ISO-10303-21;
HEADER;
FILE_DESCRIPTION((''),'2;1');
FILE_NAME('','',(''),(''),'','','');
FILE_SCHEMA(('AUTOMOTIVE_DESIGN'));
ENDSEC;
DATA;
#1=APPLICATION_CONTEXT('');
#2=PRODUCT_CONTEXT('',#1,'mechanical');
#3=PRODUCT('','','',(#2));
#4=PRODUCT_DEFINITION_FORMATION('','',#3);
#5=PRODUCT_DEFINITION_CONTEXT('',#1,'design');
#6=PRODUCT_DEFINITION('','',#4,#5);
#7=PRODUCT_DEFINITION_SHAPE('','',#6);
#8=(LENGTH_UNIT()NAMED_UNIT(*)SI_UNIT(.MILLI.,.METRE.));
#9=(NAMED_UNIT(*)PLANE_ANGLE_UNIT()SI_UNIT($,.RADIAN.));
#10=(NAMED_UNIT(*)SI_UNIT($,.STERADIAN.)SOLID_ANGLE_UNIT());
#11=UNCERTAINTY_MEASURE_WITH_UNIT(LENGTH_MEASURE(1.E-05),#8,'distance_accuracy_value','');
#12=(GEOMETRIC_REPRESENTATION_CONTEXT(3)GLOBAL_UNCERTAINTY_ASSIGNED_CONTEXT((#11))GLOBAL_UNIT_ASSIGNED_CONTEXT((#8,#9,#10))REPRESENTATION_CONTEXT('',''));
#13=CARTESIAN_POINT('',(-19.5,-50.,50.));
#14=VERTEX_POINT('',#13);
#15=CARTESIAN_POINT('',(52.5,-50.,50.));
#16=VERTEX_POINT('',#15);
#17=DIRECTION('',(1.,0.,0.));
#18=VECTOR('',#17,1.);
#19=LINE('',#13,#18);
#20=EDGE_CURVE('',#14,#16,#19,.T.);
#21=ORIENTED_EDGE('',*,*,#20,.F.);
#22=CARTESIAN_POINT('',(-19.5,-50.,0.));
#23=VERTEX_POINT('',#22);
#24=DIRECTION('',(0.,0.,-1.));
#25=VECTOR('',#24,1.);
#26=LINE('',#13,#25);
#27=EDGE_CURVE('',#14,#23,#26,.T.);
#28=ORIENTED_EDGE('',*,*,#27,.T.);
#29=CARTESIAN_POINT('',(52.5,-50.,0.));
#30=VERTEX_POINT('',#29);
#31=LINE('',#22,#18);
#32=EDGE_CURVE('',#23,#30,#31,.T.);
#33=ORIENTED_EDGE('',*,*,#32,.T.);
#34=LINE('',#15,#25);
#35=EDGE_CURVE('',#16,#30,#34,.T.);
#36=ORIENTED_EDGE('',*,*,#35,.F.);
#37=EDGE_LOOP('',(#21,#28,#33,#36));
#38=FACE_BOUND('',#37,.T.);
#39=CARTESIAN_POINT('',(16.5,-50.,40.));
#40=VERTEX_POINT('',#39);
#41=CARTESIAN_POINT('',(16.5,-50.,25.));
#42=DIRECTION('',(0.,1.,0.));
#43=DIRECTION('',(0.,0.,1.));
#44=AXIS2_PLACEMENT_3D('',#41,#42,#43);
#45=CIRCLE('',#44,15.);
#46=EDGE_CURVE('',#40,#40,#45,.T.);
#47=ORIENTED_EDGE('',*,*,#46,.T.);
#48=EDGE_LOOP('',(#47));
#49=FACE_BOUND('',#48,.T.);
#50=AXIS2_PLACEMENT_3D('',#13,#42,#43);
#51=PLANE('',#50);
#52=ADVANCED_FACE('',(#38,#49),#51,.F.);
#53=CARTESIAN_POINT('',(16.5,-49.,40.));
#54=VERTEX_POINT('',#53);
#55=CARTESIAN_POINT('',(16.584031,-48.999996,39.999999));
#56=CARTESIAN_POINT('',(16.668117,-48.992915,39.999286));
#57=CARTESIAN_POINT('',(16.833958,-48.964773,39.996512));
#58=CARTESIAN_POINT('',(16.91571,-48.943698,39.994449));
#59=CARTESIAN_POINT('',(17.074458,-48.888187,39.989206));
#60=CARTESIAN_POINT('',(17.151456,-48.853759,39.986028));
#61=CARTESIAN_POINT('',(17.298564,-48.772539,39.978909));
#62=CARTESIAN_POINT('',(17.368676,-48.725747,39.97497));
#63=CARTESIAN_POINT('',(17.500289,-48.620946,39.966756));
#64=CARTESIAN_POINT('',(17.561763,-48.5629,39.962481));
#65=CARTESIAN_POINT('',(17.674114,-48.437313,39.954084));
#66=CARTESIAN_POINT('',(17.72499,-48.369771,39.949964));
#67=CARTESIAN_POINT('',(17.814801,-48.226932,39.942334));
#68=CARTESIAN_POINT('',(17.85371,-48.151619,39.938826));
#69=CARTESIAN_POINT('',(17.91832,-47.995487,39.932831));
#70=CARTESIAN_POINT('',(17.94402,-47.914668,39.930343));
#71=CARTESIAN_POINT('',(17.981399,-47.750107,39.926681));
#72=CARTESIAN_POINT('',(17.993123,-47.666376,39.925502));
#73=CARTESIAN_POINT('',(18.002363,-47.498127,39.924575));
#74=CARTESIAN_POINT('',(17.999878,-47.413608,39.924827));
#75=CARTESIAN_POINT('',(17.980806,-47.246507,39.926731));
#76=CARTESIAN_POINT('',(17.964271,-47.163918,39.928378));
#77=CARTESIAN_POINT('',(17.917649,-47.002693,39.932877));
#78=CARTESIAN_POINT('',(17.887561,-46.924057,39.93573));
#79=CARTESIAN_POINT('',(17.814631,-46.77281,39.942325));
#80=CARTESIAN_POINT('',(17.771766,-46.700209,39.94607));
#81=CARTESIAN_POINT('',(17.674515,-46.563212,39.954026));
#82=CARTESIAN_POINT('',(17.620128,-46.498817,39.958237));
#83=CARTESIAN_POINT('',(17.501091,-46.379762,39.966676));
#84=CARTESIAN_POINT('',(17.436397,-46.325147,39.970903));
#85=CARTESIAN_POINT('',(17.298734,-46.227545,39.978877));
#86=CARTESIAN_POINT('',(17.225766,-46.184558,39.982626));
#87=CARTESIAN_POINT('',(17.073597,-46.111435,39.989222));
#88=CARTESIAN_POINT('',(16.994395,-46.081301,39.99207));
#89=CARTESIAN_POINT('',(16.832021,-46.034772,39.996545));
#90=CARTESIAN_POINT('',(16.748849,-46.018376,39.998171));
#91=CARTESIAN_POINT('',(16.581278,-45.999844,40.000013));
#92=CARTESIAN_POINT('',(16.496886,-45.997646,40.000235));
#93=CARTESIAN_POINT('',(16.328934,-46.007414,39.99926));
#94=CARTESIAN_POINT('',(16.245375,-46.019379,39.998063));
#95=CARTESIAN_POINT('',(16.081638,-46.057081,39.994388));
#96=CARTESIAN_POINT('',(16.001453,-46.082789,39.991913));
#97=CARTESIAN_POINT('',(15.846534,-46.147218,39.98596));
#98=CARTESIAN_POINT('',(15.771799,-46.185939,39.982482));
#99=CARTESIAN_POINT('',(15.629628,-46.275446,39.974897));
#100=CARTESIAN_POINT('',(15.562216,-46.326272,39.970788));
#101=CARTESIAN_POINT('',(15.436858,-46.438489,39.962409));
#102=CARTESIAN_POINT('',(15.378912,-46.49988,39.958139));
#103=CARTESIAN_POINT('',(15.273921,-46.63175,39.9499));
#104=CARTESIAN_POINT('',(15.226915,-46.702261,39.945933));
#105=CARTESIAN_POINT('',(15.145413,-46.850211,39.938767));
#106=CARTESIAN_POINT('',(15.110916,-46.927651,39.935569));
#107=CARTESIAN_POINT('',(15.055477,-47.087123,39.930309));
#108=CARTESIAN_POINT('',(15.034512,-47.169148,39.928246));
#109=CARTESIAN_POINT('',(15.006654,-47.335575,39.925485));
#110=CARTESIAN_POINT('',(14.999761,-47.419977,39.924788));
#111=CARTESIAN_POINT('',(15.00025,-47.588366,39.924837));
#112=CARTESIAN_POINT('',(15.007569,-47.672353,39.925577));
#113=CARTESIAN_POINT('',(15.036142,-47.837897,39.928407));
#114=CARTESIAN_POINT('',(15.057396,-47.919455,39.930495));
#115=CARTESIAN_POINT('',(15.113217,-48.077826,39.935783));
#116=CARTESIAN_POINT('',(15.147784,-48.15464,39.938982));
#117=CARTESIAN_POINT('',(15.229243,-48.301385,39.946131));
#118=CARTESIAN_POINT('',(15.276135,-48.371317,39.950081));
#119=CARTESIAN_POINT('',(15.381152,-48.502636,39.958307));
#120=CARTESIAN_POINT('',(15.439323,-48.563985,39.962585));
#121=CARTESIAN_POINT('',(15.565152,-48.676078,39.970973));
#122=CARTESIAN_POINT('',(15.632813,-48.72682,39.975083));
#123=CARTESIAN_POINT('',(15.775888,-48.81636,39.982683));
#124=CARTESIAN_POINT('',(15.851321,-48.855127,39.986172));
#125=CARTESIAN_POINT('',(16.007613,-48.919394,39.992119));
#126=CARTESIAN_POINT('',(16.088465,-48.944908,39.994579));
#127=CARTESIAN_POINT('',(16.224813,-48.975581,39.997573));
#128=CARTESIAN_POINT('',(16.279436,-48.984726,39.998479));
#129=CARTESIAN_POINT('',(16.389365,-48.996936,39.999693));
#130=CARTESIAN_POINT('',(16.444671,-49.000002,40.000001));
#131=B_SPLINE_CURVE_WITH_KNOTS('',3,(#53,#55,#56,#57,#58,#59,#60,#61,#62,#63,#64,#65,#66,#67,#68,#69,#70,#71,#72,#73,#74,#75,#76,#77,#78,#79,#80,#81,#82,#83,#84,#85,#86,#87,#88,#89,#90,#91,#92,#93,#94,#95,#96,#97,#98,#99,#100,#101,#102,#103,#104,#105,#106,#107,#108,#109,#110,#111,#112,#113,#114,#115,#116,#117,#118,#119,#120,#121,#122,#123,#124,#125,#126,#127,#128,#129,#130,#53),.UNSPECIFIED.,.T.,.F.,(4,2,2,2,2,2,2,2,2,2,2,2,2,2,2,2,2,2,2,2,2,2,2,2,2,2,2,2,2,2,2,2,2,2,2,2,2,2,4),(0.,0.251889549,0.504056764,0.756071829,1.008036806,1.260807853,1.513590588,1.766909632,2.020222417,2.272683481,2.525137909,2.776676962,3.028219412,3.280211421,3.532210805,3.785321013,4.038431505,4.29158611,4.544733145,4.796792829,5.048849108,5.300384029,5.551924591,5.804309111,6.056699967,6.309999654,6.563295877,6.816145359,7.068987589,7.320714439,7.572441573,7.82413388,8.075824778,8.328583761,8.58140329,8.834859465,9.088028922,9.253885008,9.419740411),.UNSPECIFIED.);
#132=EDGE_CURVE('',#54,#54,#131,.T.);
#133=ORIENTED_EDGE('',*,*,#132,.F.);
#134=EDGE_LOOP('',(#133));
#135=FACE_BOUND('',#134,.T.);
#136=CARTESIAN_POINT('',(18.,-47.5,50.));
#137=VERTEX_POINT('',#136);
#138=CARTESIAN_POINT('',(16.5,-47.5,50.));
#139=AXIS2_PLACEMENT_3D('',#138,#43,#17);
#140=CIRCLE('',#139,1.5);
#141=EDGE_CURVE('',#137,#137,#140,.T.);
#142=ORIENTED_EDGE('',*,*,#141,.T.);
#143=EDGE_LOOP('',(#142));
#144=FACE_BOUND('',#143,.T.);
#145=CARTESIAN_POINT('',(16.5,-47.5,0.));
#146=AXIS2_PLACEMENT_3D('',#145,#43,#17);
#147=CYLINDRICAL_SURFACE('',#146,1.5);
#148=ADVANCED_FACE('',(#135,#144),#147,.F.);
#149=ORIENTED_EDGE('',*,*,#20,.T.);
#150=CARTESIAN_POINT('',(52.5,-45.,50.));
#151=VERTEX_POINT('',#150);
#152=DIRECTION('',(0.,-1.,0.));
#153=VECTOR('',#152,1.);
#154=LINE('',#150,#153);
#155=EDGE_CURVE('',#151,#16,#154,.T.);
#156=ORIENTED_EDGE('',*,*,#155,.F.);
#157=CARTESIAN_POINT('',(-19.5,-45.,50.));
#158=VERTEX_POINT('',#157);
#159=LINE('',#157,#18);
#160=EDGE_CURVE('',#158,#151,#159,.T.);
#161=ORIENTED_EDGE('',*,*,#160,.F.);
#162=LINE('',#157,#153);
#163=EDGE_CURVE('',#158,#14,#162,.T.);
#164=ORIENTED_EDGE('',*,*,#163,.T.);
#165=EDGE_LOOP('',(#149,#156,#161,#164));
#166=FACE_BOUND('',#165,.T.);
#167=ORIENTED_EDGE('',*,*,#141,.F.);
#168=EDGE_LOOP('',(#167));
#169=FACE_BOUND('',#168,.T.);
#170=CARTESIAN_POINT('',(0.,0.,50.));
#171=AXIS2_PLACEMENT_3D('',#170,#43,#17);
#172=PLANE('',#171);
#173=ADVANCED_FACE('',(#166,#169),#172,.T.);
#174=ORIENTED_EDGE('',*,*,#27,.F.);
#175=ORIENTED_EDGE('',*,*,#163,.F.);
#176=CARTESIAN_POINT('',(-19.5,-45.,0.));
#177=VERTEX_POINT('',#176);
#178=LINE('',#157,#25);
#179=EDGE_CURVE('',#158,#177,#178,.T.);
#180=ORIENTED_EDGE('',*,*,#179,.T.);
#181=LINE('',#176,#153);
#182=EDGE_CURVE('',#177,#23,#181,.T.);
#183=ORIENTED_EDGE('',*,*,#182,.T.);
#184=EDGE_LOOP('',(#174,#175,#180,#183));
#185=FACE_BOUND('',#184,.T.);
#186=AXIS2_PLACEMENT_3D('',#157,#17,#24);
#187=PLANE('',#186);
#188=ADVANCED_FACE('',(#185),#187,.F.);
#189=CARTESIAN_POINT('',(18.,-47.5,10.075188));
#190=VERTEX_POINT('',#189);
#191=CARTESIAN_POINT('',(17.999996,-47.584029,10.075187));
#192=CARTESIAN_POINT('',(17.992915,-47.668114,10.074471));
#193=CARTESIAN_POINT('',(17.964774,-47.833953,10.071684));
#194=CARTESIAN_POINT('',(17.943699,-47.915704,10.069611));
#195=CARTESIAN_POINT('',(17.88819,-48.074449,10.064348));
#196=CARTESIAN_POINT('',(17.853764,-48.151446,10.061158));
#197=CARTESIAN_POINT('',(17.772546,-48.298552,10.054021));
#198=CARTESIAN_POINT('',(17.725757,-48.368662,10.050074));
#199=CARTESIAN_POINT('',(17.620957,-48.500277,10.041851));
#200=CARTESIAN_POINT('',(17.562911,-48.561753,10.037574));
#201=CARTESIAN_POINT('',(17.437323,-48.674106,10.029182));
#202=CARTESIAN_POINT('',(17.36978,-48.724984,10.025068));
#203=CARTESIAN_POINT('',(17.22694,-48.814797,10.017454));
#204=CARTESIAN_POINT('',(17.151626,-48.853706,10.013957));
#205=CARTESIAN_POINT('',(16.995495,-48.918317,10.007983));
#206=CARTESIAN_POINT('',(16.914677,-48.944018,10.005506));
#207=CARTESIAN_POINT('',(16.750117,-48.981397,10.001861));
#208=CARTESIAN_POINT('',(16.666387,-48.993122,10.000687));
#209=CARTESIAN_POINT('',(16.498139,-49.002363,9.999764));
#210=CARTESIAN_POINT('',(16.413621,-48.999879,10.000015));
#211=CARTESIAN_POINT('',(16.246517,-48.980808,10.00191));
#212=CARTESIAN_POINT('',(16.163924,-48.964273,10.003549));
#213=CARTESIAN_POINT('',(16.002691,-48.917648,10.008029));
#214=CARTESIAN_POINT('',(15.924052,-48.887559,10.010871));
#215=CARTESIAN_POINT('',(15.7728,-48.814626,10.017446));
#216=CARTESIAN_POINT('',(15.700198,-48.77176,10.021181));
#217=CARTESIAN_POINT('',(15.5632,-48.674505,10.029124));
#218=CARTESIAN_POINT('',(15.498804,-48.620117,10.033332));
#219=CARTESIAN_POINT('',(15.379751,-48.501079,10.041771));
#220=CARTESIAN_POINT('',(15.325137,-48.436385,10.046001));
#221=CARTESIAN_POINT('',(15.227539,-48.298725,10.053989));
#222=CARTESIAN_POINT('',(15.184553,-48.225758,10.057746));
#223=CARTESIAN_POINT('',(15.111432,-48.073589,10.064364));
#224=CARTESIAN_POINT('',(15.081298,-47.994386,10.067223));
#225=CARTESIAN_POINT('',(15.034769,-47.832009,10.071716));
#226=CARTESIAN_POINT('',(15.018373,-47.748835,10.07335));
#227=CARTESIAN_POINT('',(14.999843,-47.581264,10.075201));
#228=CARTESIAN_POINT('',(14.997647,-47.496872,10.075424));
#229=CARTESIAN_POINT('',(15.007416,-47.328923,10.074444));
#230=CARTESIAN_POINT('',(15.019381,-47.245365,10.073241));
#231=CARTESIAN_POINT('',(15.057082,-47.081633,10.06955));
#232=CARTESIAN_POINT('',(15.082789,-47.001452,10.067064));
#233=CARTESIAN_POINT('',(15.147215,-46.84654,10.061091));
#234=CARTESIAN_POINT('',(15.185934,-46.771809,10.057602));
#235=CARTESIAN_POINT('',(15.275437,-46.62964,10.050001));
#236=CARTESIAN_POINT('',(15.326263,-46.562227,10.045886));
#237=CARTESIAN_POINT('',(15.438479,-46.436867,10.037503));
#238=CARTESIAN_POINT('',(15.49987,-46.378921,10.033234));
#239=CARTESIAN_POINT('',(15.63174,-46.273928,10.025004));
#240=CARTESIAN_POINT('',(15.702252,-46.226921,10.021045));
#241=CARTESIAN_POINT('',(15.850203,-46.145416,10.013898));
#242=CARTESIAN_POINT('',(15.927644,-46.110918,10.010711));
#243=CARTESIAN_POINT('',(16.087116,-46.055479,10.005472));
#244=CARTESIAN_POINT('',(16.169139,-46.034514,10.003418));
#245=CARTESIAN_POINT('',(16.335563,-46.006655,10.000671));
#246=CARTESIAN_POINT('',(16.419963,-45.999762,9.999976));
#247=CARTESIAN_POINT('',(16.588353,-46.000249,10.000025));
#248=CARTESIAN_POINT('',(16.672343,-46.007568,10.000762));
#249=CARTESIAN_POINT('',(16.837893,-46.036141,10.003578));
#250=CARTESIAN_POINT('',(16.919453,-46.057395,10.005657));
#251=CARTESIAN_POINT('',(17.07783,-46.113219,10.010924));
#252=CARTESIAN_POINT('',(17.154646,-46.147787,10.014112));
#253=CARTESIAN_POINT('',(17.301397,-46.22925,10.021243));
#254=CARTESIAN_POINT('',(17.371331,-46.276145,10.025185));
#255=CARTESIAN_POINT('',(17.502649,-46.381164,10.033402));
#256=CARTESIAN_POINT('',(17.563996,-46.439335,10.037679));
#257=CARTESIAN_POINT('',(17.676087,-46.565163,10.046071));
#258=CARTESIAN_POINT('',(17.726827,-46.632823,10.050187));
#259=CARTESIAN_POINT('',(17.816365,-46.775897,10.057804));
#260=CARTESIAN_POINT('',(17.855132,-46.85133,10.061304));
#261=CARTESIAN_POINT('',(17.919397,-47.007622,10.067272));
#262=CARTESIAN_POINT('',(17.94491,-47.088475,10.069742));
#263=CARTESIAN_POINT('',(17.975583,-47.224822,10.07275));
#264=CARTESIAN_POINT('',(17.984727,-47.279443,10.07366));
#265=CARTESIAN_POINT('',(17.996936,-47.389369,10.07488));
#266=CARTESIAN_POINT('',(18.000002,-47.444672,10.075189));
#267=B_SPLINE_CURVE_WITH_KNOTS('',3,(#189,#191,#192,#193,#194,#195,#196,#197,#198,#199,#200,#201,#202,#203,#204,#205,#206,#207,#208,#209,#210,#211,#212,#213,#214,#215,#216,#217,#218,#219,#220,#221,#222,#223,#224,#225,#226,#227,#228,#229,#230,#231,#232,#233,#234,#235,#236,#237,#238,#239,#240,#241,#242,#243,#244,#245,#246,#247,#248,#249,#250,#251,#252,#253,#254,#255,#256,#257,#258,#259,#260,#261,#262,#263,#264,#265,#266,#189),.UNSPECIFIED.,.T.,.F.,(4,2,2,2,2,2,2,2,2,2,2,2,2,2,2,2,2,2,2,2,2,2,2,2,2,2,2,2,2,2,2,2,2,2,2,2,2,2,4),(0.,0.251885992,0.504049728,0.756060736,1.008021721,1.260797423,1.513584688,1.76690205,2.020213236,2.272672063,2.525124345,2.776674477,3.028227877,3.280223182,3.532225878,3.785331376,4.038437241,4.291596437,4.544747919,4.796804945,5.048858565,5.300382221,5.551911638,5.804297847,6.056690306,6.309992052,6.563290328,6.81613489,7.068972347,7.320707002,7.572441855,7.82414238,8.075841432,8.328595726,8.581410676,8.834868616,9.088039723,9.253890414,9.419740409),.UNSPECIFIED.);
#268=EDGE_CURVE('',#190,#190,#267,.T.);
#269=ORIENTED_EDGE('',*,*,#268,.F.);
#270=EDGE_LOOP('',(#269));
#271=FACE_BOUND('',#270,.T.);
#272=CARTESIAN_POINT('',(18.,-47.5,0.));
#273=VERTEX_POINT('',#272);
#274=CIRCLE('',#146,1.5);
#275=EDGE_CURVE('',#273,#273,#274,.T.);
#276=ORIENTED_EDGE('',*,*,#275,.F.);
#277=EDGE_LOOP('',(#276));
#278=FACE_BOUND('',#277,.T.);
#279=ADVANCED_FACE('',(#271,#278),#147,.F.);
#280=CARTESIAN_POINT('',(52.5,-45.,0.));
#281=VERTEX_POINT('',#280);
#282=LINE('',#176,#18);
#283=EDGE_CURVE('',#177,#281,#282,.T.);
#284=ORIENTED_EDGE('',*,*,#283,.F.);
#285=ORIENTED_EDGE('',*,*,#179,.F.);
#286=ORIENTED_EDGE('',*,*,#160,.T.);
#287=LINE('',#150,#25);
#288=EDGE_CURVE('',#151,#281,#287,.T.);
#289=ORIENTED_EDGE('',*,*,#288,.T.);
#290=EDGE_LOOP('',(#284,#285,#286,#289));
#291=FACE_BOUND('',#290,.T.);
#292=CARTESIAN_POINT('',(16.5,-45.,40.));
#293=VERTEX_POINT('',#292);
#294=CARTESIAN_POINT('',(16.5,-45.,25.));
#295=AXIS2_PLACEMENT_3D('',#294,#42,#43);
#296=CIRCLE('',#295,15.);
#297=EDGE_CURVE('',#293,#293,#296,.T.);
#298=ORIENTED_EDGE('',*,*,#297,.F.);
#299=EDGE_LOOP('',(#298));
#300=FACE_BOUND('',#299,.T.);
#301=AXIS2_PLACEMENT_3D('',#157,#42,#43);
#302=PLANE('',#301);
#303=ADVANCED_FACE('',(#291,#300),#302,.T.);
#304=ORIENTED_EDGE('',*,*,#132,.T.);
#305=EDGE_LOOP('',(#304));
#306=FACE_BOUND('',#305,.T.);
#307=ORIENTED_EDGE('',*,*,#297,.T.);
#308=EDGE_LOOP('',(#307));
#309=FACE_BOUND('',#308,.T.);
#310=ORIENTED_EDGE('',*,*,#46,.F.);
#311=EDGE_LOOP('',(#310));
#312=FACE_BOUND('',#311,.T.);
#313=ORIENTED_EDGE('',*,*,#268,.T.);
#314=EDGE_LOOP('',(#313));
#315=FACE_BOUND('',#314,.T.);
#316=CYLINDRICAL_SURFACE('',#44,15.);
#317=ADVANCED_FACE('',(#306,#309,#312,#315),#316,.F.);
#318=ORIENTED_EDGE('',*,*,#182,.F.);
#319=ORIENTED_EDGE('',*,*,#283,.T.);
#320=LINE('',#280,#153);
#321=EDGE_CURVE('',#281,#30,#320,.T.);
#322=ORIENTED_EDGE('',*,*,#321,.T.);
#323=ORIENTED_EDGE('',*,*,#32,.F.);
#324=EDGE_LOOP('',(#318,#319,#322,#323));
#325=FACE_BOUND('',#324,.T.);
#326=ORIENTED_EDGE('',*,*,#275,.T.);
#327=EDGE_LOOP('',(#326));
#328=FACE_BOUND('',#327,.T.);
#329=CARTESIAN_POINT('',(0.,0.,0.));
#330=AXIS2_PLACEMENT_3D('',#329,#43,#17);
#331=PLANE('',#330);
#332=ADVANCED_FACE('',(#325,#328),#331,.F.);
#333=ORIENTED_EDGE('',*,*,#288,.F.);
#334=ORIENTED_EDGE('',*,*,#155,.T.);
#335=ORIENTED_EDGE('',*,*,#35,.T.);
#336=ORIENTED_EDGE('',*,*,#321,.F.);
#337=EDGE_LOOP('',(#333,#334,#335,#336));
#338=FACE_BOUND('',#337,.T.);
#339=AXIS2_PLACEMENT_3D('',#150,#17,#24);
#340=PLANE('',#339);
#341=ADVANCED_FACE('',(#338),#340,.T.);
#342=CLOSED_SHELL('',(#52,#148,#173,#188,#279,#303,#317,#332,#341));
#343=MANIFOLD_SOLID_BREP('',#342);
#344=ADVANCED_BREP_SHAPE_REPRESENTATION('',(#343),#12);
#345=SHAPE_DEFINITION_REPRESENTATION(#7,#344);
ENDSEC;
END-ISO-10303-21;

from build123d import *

# Parameters (mm, degrees)
ESQUISSE1_W             = 72
ESQUISSE1_H             = 5
BOSS_EXTRU_1_DEPTH      = 50
ESQUISSE2_R             = 15
ENL_V_MAT_EXTRU_1_DEPTH = 6
ESQUISSE5_R             = 1.5
ENL_V_MAT_EXTRU_4_DEPTH = 51


with BuildPart() as part:
    # Esquisse1 → Boss.-Extru.1 (new body)
    with BuildSketch(Plane.XY):
        with Locations((16.5, -47.5)):
            Rectangle(ESQUISSE1_W, ESQUISSE1_H)
    extrude(amount=BOSS_EXTRU_1_DEPTH)

    # Esquisse2 → Enlèv. mat.-Extru.1 (cut, through all)
    with BuildSketch(Plane(origin=(0, -45, 0), x_dir=(-1, 0, 0), z_dir=(0, 1, 0))):
        with Locations((-16.5, 25)):
            Circle(ESQUISSE2_R)
    extrude(amount=-ENL_V_MAT_EXTRU_1_DEPTH, mode=Mode.SUBTRACT)

    # Esquisse5 → Enlèv. mat.-Extru.4 (cut, through all)
    with BuildSketch(Plane.XY.offset(50)):
        with Locations((16.5, -47.5)):
            Circle(ESQUISSE5_R)
    extrude(amount=-ENL_V_MAT_EXTRU_4_DEPTH, mode=Mode.SUBTRACT)


solid = part.part
